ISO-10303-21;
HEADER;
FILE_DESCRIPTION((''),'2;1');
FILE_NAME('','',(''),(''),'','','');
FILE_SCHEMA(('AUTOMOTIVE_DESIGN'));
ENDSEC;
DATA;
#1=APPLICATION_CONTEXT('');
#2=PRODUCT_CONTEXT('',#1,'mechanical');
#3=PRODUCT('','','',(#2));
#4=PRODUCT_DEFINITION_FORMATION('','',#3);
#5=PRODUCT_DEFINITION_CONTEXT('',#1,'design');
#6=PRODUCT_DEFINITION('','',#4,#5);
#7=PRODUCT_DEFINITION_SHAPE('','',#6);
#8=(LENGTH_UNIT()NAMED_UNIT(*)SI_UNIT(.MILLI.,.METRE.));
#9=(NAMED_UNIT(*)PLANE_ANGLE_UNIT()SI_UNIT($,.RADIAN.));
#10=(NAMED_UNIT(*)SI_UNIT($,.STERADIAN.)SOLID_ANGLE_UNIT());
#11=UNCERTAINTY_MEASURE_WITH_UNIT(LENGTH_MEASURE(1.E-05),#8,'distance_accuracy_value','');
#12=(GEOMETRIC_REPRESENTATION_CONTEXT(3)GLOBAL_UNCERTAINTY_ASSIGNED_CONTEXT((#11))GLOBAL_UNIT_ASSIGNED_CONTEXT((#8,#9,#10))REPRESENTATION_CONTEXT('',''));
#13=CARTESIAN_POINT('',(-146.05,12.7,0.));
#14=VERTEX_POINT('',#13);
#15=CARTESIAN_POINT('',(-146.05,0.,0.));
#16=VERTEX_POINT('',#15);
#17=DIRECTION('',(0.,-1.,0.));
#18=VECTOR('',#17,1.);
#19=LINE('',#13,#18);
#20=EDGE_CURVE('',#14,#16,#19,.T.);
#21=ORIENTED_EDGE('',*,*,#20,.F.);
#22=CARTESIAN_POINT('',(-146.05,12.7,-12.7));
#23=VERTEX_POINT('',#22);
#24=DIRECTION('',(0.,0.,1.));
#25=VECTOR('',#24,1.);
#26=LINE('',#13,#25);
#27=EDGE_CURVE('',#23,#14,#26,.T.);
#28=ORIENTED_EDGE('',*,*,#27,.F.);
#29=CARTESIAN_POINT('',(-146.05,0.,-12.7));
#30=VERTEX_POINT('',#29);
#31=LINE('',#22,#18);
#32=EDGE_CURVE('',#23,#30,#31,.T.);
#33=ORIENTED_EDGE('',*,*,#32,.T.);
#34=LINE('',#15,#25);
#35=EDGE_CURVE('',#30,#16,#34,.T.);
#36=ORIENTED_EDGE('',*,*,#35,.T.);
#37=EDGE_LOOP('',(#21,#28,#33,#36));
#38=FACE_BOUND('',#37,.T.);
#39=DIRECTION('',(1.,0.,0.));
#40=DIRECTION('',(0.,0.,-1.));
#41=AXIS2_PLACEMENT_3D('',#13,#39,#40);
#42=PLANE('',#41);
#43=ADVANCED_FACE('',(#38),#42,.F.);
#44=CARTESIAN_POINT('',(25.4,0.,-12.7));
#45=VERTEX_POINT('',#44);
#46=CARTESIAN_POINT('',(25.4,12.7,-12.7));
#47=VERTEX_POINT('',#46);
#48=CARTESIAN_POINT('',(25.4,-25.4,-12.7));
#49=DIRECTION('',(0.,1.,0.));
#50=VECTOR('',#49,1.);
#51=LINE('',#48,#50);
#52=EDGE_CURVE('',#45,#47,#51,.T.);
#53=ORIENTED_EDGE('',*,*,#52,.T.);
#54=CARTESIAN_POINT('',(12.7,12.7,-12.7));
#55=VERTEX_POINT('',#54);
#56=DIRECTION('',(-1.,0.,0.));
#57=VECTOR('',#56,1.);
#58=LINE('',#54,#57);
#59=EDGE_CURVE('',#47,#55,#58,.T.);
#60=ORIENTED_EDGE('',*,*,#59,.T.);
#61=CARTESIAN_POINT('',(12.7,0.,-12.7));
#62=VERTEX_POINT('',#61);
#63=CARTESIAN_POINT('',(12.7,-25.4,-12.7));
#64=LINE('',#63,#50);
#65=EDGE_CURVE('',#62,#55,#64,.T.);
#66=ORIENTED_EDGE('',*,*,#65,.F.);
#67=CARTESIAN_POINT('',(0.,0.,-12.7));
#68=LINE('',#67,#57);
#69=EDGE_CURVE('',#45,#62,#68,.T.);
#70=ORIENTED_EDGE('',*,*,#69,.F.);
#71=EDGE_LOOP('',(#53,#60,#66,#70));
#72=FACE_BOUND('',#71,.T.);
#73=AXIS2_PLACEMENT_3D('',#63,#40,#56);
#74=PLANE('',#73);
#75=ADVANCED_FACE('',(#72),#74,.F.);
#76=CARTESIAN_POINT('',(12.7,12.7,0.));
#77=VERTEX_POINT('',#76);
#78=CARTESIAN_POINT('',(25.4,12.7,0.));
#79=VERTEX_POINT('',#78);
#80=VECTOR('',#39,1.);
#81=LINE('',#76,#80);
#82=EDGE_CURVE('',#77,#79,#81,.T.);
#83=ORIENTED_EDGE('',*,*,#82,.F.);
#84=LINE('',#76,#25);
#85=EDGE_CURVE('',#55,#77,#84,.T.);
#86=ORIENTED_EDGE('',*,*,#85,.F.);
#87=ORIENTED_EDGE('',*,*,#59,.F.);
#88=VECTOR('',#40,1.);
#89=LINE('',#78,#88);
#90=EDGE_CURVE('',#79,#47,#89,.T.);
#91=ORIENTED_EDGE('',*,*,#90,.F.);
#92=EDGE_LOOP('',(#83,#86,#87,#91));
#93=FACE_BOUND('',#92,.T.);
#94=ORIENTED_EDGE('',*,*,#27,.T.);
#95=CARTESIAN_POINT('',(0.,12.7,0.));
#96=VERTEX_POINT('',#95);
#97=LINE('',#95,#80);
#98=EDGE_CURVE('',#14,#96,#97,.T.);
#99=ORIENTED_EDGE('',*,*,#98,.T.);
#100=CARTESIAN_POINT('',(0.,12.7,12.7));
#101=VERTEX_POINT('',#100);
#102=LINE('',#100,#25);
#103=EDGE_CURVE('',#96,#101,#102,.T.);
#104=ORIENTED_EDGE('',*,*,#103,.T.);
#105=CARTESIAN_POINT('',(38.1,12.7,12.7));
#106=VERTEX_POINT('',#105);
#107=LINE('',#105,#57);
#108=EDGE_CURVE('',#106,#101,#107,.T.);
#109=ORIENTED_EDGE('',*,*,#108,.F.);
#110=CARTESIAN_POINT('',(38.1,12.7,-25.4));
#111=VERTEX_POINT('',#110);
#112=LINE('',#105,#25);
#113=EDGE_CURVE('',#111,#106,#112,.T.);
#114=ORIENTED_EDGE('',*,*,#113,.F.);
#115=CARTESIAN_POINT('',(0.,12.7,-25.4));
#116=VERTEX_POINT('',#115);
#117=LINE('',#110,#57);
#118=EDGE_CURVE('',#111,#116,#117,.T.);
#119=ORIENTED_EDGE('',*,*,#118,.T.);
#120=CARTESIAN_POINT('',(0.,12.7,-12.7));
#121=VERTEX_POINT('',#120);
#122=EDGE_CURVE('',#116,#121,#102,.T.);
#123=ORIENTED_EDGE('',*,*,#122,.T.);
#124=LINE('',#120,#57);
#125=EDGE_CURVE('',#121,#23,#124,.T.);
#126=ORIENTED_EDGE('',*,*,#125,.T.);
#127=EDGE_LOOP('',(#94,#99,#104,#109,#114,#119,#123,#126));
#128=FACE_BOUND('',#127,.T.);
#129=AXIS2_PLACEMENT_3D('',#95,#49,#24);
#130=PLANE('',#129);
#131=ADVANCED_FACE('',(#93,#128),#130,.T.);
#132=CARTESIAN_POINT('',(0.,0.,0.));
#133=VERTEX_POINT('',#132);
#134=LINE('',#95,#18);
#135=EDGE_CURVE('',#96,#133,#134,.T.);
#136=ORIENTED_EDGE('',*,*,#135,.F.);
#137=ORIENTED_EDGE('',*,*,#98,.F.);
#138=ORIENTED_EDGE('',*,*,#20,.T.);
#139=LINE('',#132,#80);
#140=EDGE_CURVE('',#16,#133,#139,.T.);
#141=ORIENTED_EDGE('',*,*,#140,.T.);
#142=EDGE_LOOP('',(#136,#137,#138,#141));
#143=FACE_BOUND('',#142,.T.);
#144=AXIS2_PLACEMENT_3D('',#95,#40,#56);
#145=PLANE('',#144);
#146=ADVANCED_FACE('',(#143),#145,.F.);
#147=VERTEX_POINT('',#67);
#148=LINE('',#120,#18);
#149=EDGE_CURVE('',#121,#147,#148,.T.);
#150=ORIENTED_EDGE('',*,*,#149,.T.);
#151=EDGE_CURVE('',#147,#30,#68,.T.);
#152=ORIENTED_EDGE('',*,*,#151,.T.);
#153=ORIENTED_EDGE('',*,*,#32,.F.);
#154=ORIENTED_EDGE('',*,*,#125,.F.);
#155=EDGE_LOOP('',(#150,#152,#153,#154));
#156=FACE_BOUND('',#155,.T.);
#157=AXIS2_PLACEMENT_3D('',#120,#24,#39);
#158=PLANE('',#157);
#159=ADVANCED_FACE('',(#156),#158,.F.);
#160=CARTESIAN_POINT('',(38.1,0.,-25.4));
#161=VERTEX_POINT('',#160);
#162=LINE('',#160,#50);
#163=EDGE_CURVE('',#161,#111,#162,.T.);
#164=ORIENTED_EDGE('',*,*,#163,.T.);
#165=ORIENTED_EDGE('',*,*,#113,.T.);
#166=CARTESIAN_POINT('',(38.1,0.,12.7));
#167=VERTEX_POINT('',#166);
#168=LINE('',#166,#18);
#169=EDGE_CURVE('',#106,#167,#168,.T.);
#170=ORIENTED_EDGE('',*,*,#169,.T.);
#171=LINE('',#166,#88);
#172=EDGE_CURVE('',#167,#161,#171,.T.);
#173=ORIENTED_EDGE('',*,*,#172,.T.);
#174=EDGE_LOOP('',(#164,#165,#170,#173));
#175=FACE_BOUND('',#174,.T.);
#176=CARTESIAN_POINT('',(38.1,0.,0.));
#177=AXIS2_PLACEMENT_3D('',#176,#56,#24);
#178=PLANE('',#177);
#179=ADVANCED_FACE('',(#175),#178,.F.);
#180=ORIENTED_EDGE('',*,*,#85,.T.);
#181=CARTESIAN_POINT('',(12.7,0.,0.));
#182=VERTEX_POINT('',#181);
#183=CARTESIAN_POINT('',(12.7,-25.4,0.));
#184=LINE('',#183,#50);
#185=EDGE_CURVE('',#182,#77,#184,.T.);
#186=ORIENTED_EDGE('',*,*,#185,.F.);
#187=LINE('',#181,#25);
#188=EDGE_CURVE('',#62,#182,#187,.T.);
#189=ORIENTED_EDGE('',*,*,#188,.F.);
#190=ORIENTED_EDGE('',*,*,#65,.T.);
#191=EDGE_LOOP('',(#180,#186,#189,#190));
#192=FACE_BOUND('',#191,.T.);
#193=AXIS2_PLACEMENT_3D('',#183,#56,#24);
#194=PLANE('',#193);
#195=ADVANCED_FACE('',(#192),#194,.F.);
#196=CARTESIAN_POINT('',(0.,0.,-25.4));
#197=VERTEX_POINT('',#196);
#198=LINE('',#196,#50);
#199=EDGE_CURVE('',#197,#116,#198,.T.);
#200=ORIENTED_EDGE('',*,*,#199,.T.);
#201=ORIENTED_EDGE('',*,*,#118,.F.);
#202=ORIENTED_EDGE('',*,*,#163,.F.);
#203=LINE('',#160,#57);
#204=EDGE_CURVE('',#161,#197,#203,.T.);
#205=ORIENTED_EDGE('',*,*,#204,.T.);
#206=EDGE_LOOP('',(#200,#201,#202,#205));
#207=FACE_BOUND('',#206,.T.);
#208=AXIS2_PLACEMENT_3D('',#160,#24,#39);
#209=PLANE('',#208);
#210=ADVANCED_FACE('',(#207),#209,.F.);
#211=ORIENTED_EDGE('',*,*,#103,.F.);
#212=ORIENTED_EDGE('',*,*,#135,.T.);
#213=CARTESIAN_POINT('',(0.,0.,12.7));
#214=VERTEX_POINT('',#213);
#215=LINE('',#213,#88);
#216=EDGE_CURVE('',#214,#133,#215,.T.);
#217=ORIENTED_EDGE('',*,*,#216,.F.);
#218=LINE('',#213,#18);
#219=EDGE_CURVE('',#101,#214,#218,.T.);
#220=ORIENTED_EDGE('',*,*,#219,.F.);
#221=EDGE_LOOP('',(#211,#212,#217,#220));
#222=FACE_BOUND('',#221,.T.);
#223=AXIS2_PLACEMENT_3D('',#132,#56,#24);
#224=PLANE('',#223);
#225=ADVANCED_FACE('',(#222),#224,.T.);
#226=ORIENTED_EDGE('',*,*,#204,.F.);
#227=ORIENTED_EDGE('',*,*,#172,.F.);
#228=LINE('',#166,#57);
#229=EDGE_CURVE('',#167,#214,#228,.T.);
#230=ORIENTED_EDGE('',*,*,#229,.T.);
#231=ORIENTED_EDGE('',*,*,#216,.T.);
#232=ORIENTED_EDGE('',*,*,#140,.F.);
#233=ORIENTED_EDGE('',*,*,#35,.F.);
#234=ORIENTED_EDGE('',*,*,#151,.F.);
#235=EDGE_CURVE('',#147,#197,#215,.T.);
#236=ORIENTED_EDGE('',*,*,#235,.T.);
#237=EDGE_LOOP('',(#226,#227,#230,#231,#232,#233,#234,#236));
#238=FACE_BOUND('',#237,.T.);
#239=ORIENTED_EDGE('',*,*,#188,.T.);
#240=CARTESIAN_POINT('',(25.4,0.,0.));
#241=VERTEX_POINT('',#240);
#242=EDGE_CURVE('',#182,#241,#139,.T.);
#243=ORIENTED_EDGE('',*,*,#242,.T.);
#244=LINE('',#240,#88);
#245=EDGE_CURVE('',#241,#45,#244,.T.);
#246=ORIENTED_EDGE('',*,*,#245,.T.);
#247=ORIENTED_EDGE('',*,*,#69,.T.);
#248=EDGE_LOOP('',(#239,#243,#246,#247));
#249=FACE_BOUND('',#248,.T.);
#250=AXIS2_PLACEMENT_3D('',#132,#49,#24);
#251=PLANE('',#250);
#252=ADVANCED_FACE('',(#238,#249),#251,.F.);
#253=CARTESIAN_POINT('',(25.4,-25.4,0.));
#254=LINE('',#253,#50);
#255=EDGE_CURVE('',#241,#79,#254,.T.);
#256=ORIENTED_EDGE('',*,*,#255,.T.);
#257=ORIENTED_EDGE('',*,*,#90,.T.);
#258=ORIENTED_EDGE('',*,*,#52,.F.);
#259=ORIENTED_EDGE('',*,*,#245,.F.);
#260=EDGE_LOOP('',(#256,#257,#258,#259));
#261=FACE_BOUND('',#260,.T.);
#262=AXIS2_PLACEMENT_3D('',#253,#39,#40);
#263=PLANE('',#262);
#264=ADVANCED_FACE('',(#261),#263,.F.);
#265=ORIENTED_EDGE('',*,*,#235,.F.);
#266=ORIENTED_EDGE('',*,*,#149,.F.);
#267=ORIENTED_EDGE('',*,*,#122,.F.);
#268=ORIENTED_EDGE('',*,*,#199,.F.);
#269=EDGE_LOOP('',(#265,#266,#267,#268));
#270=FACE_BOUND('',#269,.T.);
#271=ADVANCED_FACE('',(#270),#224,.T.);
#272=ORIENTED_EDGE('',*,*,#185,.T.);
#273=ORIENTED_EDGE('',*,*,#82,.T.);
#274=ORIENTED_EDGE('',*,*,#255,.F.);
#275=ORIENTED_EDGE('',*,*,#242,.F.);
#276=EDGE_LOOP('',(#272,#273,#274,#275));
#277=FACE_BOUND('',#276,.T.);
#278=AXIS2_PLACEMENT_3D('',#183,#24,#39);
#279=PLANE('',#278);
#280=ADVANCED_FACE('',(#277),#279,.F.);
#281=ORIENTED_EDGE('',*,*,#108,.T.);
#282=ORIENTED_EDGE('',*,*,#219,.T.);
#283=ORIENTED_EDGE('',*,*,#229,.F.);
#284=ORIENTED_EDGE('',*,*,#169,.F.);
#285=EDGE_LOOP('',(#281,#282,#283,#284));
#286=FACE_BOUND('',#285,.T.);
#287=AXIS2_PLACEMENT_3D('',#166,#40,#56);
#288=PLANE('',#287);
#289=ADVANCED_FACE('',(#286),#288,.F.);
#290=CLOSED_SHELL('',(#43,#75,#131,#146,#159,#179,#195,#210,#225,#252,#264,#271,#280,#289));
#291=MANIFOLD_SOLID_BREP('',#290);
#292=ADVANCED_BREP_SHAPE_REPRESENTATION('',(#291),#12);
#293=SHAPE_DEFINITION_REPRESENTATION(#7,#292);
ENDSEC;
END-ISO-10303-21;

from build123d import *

# Parameters (mm, degrees)
SKETCH2_W           = 146.05
SKETCH2_H           = 12.7
BOSS_EXTRUDE1_DEPTH = 12.7
SKETCH3_W           = 38.1
SKETCH3_H           = 12.7
BOSS_EXTRUDE2_DEPTH = 38.1
SKETCH4_W           = 12.7
SKETCH4_H           = 12.7
CUT_EXTRUDE1_DEPTH  = 38.1


with BuildPart() as part:
    # Sketch2 → Boss-Extrude1 (new body)
    with BuildSketch(Plane(origin=(0, 0, 0), x_dir=(1, 0, 0), z_dir=(0, 1, 0))):
        with Locations((-73.025, 6.35)):
            Rectangle(SKETCH2_W, SKETCH2_H)
    extrude(amount=BOSS_EXTRUDE1_DEPTH)

    # Sketch3 → Boss-Extrude2 (add)
    with BuildSketch(Plane(origin=(0, 0, 0), x_dir=(0, 0, -1), z_dir=(1, 0, 0))):
        with Locations((6.35, 6.35)):
            Rectangle(SKETCH3_W, SKETCH3_H)
    extrude(amount=BOSS_EXTRUDE2_DEPTH)

    # Sketch4 → Cut-Extrude1 (cut)
    with BuildSketch(Plane(origin=(0, 12.7, 0), x_dir=(1, 0, 0), z_dir=(0, 1, 0))):
        with Locations((19.05, 6.35)):
            Rectangle(SKETCH4_W, SKETCH4_H)
    extrude(amount=-CUT_EXTRUDE1_DEPTH, mode=Mode.SUBTRACT)


solid = part.part
